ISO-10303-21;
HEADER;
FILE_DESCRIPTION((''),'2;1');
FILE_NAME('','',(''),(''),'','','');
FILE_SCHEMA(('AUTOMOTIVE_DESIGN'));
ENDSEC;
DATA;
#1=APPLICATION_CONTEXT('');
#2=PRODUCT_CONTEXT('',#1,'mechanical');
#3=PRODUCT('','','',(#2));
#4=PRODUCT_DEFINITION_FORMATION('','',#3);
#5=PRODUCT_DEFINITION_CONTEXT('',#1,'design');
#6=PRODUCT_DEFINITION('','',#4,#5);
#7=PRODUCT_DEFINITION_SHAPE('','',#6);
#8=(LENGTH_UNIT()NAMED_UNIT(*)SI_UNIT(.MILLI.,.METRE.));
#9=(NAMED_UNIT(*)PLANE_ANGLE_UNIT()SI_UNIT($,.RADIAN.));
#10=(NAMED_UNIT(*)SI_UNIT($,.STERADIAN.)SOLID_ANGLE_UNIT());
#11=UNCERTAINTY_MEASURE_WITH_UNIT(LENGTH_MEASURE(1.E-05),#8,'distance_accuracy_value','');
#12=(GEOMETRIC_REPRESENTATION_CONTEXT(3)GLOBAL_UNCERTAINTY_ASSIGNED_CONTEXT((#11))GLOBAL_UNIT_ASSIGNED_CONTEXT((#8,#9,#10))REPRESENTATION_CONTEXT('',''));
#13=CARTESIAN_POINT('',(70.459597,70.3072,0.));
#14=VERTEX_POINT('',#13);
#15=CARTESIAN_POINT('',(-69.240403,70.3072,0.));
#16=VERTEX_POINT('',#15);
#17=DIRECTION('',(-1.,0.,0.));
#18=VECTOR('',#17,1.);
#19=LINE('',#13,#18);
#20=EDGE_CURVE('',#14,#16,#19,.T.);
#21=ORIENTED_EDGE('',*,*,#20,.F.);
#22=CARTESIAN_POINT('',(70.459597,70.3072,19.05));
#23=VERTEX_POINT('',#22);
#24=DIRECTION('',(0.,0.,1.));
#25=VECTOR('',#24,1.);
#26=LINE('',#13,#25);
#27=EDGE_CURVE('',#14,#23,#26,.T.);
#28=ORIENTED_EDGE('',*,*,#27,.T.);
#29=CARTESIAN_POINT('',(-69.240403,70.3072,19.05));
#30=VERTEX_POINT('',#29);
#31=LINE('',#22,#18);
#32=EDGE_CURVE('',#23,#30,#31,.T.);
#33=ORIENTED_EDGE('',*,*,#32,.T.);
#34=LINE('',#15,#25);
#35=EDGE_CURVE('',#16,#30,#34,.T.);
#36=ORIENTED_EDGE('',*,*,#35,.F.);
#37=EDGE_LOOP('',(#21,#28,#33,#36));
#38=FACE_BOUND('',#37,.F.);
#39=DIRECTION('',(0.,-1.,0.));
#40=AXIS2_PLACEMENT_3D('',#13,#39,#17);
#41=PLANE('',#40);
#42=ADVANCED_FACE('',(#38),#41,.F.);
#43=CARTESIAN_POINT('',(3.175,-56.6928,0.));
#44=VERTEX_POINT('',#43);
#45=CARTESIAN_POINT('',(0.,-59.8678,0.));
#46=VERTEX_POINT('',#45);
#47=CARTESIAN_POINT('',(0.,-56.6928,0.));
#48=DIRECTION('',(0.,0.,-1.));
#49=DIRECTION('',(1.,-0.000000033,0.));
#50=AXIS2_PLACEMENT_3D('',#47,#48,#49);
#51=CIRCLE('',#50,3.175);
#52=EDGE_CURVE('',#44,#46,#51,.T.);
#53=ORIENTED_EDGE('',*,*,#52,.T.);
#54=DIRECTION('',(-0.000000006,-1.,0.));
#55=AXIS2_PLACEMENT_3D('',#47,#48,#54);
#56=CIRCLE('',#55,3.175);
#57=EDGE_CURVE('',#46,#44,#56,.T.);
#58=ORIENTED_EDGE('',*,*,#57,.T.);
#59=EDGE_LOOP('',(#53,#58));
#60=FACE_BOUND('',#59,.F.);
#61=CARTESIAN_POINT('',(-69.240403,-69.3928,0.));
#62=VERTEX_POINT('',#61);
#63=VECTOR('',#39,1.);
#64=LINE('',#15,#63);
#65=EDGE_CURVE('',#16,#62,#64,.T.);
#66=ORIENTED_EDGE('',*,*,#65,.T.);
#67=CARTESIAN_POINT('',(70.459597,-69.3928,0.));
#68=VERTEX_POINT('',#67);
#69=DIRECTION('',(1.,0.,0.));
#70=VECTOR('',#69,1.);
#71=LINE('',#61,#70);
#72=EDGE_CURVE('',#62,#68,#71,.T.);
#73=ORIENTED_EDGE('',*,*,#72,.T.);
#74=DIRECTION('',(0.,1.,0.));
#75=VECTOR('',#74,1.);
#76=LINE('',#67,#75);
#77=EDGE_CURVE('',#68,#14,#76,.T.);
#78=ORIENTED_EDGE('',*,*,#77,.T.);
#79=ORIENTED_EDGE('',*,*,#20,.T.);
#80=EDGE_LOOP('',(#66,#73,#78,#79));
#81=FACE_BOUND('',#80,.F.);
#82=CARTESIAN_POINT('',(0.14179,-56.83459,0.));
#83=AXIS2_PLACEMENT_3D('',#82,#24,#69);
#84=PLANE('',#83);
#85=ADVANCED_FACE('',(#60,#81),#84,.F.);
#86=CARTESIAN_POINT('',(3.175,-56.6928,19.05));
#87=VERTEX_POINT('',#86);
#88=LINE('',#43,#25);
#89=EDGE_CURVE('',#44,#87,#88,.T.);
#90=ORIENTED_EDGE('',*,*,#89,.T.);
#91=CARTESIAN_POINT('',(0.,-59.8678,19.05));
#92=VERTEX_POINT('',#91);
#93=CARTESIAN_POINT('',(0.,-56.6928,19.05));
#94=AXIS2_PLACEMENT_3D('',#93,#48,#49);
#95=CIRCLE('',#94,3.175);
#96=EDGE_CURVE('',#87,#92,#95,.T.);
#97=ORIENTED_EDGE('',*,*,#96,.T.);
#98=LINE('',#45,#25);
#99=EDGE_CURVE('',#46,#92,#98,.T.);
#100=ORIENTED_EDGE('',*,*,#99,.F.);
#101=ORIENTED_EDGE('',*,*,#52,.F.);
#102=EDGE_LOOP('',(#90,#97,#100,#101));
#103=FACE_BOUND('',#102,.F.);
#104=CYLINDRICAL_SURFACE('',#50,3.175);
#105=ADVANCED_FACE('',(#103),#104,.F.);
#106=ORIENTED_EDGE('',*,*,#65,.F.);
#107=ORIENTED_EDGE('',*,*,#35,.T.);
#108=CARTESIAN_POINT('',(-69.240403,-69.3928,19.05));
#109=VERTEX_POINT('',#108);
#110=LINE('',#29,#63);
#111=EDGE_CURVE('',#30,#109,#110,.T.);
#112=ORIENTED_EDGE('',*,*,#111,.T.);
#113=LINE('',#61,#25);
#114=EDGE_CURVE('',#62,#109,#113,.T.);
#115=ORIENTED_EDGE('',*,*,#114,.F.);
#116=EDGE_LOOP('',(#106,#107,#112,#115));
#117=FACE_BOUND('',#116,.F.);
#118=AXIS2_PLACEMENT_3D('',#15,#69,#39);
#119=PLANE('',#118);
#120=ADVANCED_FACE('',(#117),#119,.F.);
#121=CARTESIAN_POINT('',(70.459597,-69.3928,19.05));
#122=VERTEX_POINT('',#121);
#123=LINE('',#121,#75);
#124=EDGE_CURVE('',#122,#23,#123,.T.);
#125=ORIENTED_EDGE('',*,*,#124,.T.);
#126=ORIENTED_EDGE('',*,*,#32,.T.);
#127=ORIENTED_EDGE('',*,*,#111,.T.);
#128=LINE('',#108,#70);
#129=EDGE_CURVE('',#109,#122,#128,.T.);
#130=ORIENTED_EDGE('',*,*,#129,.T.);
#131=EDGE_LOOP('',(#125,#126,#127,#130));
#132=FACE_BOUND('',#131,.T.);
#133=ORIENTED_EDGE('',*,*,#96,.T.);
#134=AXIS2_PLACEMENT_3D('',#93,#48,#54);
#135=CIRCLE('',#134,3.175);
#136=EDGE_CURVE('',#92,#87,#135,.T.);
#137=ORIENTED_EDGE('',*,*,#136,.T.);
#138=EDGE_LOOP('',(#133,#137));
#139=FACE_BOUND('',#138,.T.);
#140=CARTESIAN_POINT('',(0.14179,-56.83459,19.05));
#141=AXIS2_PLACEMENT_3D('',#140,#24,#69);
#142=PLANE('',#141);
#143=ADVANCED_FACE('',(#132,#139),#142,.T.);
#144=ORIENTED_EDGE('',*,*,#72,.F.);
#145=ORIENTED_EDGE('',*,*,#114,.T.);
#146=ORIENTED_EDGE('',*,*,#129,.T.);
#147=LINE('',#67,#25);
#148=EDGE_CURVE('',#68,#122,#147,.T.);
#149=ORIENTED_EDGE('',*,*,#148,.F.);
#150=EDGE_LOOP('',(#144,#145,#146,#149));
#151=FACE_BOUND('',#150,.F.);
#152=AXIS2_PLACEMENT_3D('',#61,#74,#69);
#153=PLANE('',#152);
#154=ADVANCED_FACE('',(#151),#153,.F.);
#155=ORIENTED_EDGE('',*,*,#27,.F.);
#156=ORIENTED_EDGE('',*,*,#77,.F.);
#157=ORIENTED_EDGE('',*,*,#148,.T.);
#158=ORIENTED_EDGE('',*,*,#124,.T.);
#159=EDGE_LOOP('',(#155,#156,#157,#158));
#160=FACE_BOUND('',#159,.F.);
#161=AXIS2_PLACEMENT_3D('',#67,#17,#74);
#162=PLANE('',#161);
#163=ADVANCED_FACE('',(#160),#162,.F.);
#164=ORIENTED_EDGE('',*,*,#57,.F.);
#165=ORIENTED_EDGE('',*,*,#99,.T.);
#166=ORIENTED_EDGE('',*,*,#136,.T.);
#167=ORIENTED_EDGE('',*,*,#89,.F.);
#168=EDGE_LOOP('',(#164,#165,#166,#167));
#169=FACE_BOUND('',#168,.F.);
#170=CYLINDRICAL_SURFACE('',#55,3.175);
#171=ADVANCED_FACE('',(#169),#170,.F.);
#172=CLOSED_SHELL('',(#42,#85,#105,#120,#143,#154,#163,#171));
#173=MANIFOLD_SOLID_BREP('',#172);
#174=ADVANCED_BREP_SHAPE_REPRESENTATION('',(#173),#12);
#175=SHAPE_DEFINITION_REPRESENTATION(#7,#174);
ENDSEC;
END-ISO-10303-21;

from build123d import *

# Parameters (mm, degrees)
F1_DEPTH = 19.05


with BuildPart() as f1:
    # F0 (on Top) → F1 (new body)
    with BuildSketch(Plane.XY):
        with BuildLine():
            ThreePointArc((3.175, -56.6928), (-2.245064, -54.447736), (0, -59.8678))
            ThreePointArc((0, -59.8678), (2.245064, -58.937864), (3.175, -56.6928))
        make_face()
        Polygon((70.459597, -69.3928), (70.459597, 70.3072), (-69.240403, 70.3072), (-69.240403, -69.3928), (0, -69.3928), align=None)
        with BuildLine():
            ThreePointArc((3.175, -56.6928), (2.245064, -58.937864), (0, -59.8678))
            ThreePointArc((0, -59.8678), (-2.245064, -54.447736), (3.175, -56.6928))
        make_face(mode=Mode.SUBTRACT)
    extrude(amount=F1_DEPTH)


solid = f1.part
